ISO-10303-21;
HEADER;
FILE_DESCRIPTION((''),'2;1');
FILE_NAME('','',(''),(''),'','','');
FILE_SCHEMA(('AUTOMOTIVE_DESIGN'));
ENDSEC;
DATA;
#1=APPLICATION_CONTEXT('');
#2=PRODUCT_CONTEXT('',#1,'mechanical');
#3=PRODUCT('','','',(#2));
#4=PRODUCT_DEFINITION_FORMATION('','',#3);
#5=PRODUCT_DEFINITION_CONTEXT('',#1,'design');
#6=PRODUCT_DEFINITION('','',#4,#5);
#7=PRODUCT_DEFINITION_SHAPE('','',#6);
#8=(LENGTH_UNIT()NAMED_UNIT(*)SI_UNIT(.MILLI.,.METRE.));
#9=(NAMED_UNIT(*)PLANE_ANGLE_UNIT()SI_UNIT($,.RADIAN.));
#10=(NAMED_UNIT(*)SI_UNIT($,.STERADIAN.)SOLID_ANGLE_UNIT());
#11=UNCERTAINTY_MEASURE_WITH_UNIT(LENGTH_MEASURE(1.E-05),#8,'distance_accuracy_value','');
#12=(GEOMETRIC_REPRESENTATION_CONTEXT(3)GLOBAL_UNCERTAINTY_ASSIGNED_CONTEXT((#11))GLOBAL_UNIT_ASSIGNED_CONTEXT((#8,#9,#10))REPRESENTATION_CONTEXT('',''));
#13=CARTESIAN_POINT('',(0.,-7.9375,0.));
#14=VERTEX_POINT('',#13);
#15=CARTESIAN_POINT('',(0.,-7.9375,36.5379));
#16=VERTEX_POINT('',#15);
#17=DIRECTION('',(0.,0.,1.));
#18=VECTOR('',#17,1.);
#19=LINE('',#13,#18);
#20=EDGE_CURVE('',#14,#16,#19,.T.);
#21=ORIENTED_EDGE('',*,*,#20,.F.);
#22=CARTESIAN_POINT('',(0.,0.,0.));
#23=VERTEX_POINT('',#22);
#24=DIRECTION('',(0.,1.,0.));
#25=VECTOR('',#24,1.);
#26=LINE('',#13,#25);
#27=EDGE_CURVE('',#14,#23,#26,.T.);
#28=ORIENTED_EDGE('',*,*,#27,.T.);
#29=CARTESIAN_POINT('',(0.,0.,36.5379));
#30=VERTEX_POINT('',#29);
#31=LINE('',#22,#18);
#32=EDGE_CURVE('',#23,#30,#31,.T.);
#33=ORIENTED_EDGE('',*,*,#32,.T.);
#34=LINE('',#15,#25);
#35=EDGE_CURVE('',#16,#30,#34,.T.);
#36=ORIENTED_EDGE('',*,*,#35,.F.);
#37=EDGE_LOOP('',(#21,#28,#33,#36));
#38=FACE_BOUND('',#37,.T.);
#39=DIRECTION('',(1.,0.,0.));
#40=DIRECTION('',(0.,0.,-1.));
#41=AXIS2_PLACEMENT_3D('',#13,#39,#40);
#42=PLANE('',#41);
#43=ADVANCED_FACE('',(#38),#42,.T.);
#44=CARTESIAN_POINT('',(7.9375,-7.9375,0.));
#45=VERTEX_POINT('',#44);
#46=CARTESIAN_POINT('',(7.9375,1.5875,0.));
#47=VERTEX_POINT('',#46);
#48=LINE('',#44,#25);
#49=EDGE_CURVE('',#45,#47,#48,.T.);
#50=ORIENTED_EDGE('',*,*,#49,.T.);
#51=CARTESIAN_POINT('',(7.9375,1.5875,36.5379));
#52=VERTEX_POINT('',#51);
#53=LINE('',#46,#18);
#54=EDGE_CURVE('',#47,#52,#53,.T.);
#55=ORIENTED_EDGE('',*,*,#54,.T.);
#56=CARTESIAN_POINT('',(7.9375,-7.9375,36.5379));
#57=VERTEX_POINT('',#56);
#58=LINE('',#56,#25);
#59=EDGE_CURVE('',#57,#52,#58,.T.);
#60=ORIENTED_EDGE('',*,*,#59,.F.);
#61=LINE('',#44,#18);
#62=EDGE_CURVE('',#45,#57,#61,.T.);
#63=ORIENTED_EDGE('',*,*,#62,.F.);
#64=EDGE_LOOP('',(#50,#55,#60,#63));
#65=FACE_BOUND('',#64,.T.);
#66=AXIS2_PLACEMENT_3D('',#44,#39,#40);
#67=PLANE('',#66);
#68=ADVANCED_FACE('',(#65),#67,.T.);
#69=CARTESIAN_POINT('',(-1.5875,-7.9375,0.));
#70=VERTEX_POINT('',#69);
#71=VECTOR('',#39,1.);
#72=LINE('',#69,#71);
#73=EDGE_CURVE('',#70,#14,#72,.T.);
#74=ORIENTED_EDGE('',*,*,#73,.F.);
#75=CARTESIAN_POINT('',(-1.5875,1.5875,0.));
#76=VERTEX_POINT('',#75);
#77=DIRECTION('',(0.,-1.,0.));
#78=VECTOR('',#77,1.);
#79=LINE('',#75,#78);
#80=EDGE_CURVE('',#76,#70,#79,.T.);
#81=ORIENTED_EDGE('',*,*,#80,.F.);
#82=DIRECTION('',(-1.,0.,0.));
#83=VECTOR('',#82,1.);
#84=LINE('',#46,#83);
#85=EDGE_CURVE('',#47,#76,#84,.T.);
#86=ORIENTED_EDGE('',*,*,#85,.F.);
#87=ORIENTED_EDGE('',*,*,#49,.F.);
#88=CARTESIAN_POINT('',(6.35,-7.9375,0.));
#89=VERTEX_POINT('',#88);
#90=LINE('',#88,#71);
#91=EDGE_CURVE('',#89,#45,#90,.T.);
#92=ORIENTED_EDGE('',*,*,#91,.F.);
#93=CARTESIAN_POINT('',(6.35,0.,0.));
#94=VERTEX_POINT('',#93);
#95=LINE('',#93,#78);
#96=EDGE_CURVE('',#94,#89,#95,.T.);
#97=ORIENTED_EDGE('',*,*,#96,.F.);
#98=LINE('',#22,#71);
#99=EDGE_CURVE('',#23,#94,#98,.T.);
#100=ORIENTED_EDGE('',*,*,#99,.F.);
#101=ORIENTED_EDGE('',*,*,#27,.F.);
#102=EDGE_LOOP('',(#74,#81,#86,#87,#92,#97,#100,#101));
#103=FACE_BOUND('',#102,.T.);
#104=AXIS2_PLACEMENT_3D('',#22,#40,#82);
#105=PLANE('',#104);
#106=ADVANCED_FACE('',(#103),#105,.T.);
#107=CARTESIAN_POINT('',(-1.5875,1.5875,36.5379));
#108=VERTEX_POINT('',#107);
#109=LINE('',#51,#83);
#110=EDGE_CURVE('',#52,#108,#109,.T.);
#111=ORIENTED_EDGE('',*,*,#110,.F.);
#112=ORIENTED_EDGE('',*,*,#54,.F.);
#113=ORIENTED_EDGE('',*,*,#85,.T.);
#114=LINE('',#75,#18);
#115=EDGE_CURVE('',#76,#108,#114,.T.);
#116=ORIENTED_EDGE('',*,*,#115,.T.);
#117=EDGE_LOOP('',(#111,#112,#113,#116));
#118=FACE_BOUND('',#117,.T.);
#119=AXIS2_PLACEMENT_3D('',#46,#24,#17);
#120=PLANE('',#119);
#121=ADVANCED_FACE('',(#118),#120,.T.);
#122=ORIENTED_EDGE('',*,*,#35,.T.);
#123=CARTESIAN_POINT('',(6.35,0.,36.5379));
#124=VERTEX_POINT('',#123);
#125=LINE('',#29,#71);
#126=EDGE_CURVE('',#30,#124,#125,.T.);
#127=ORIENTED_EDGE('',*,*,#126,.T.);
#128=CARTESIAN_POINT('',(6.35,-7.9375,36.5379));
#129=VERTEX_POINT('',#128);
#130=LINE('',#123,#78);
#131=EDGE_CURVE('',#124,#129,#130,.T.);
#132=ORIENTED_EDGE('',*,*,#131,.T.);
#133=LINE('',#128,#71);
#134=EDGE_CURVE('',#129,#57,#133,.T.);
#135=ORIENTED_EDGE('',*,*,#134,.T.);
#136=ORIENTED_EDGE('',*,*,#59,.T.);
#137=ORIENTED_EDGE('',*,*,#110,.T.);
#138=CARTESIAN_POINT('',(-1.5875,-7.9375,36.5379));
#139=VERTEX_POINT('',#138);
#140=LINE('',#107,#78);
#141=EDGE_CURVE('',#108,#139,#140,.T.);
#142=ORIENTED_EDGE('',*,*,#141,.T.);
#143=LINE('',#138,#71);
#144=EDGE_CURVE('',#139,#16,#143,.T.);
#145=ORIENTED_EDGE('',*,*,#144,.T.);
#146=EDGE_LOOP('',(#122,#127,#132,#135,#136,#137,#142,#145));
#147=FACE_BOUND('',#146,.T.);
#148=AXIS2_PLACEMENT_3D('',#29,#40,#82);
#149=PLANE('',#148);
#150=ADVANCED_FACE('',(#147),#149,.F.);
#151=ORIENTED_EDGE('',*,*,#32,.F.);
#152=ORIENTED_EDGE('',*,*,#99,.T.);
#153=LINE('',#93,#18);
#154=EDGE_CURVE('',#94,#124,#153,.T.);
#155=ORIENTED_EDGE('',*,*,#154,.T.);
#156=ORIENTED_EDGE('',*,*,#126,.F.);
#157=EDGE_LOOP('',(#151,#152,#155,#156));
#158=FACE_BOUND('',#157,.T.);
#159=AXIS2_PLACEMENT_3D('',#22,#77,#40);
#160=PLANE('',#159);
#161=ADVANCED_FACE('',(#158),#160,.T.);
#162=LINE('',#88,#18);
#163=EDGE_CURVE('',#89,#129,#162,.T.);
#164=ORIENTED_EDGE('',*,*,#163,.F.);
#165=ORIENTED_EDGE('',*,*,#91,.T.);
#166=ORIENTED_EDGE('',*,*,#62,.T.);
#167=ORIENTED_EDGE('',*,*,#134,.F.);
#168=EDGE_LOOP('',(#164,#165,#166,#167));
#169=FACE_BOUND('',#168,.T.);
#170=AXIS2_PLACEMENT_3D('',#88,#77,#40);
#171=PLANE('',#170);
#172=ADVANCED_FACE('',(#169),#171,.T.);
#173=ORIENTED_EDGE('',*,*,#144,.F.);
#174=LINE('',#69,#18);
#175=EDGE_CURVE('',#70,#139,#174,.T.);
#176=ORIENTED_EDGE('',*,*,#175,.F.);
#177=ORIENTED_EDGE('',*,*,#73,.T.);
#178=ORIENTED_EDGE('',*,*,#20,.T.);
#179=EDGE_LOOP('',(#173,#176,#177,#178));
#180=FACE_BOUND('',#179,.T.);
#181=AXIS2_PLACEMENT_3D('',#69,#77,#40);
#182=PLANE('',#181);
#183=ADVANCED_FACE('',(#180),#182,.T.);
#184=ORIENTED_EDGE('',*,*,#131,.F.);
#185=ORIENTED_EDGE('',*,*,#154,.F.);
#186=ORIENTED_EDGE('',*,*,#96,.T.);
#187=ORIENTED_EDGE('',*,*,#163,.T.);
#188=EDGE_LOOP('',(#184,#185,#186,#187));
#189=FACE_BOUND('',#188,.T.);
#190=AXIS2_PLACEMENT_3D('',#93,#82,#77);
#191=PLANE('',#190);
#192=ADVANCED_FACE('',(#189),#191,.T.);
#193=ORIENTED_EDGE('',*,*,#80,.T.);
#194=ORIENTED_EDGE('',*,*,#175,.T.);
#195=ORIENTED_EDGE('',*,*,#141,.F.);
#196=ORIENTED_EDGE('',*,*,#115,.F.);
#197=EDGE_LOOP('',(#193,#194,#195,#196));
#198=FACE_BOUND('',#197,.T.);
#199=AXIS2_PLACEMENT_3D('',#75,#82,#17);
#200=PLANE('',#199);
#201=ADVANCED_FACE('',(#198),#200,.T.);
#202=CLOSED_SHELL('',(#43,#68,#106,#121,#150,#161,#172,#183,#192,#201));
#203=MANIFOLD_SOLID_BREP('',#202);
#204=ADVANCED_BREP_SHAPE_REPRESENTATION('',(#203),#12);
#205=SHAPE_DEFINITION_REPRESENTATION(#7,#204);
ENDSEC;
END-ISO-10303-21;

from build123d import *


with BuildPart() as part:
    # Sweep3: sweep along a path in Sketch3
    with BuildLine(Plane(origin=(0, 0, 0), x_dir=(0, 0, -1), z_dir=(1, 0, 0))) as sweep3_path:
        Line((0, 0), (-36.5379, 0))
    # Sketch2 → Sweep3 (sweep)
    with BuildSketch(Plane.XY):
        Polygon((0, 0), (6.35, 0), (6.35, -7.9375), (7.9375, -7.9375), (7.9375, 1.5875), (-1.5875, 1.5875), (-1.5875, -7.9375), (0, -7.9375), align=None)
    sweep(path=sweep3_path.line)


solid = part.part
